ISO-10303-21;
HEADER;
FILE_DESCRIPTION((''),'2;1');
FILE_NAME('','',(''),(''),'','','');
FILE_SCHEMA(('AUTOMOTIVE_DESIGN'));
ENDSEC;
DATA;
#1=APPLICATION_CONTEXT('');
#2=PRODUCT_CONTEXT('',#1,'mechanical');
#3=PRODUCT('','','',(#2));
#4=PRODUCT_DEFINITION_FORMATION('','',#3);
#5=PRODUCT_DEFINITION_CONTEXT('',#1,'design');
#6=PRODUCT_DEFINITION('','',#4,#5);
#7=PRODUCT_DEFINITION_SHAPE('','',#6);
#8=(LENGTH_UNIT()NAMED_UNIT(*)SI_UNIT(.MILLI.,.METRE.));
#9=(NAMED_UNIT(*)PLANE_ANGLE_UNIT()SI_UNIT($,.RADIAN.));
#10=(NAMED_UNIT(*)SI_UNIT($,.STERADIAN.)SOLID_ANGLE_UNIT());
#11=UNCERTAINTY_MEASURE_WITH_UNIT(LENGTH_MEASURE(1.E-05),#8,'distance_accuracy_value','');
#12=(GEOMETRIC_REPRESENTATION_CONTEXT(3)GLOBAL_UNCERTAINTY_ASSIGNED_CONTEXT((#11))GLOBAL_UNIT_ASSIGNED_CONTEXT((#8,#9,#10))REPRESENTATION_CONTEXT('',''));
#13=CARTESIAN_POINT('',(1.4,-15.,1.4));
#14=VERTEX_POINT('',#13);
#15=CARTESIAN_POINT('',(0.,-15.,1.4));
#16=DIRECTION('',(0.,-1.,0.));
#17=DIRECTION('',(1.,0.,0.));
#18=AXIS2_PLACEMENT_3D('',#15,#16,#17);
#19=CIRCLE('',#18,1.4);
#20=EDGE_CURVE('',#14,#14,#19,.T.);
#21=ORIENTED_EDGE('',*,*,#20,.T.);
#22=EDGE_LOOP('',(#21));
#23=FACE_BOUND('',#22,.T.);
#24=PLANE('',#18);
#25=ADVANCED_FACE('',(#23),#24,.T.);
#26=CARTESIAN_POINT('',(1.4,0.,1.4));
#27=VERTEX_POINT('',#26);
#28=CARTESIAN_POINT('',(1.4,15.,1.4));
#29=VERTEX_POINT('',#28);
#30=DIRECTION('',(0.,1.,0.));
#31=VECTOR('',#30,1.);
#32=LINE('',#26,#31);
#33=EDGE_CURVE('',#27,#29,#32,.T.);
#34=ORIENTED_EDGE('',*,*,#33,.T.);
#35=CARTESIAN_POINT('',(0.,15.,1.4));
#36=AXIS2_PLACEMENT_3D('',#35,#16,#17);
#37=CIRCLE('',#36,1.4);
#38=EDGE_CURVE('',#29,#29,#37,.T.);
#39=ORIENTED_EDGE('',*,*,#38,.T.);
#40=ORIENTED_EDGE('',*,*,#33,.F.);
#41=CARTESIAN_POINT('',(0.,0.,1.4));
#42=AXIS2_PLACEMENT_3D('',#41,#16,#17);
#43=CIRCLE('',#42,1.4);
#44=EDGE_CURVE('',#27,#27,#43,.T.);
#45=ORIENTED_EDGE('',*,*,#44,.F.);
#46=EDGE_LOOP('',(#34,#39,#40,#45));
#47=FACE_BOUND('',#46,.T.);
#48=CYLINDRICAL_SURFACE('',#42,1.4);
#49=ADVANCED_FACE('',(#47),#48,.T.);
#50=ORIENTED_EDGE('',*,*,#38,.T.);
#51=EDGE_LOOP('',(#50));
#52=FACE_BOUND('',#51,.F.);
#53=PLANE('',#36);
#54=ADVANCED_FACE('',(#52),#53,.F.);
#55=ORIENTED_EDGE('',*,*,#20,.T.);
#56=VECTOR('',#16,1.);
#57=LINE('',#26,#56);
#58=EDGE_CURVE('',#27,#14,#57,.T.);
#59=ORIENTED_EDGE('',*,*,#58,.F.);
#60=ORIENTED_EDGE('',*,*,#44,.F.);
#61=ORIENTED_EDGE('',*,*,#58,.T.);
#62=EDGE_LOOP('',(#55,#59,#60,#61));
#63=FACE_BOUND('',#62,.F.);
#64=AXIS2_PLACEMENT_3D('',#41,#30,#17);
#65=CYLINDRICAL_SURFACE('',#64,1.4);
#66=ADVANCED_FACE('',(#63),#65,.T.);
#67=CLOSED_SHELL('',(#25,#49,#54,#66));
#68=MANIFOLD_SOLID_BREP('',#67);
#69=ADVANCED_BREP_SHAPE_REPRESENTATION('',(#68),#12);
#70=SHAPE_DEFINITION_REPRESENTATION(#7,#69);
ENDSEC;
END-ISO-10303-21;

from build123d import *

# Parameters (mm, degrees)
F0_R          = 1.4
F1_DEPTH      = 15
F1_DEPTH_BACK = 15


with BuildPart() as f1:
    # F0 (on Front) → F1 (new body, two sides)
    with BuildSketch(Plane.XZ) as f1_sk:
        with Locations((0, 1.4)):
            Circle(F0_R)
    extrude(amount=-F1_DEPTH)
    extrude(f1_sk.sketch, amount=F1_DEPTH_BACK)


solid = f1.part
